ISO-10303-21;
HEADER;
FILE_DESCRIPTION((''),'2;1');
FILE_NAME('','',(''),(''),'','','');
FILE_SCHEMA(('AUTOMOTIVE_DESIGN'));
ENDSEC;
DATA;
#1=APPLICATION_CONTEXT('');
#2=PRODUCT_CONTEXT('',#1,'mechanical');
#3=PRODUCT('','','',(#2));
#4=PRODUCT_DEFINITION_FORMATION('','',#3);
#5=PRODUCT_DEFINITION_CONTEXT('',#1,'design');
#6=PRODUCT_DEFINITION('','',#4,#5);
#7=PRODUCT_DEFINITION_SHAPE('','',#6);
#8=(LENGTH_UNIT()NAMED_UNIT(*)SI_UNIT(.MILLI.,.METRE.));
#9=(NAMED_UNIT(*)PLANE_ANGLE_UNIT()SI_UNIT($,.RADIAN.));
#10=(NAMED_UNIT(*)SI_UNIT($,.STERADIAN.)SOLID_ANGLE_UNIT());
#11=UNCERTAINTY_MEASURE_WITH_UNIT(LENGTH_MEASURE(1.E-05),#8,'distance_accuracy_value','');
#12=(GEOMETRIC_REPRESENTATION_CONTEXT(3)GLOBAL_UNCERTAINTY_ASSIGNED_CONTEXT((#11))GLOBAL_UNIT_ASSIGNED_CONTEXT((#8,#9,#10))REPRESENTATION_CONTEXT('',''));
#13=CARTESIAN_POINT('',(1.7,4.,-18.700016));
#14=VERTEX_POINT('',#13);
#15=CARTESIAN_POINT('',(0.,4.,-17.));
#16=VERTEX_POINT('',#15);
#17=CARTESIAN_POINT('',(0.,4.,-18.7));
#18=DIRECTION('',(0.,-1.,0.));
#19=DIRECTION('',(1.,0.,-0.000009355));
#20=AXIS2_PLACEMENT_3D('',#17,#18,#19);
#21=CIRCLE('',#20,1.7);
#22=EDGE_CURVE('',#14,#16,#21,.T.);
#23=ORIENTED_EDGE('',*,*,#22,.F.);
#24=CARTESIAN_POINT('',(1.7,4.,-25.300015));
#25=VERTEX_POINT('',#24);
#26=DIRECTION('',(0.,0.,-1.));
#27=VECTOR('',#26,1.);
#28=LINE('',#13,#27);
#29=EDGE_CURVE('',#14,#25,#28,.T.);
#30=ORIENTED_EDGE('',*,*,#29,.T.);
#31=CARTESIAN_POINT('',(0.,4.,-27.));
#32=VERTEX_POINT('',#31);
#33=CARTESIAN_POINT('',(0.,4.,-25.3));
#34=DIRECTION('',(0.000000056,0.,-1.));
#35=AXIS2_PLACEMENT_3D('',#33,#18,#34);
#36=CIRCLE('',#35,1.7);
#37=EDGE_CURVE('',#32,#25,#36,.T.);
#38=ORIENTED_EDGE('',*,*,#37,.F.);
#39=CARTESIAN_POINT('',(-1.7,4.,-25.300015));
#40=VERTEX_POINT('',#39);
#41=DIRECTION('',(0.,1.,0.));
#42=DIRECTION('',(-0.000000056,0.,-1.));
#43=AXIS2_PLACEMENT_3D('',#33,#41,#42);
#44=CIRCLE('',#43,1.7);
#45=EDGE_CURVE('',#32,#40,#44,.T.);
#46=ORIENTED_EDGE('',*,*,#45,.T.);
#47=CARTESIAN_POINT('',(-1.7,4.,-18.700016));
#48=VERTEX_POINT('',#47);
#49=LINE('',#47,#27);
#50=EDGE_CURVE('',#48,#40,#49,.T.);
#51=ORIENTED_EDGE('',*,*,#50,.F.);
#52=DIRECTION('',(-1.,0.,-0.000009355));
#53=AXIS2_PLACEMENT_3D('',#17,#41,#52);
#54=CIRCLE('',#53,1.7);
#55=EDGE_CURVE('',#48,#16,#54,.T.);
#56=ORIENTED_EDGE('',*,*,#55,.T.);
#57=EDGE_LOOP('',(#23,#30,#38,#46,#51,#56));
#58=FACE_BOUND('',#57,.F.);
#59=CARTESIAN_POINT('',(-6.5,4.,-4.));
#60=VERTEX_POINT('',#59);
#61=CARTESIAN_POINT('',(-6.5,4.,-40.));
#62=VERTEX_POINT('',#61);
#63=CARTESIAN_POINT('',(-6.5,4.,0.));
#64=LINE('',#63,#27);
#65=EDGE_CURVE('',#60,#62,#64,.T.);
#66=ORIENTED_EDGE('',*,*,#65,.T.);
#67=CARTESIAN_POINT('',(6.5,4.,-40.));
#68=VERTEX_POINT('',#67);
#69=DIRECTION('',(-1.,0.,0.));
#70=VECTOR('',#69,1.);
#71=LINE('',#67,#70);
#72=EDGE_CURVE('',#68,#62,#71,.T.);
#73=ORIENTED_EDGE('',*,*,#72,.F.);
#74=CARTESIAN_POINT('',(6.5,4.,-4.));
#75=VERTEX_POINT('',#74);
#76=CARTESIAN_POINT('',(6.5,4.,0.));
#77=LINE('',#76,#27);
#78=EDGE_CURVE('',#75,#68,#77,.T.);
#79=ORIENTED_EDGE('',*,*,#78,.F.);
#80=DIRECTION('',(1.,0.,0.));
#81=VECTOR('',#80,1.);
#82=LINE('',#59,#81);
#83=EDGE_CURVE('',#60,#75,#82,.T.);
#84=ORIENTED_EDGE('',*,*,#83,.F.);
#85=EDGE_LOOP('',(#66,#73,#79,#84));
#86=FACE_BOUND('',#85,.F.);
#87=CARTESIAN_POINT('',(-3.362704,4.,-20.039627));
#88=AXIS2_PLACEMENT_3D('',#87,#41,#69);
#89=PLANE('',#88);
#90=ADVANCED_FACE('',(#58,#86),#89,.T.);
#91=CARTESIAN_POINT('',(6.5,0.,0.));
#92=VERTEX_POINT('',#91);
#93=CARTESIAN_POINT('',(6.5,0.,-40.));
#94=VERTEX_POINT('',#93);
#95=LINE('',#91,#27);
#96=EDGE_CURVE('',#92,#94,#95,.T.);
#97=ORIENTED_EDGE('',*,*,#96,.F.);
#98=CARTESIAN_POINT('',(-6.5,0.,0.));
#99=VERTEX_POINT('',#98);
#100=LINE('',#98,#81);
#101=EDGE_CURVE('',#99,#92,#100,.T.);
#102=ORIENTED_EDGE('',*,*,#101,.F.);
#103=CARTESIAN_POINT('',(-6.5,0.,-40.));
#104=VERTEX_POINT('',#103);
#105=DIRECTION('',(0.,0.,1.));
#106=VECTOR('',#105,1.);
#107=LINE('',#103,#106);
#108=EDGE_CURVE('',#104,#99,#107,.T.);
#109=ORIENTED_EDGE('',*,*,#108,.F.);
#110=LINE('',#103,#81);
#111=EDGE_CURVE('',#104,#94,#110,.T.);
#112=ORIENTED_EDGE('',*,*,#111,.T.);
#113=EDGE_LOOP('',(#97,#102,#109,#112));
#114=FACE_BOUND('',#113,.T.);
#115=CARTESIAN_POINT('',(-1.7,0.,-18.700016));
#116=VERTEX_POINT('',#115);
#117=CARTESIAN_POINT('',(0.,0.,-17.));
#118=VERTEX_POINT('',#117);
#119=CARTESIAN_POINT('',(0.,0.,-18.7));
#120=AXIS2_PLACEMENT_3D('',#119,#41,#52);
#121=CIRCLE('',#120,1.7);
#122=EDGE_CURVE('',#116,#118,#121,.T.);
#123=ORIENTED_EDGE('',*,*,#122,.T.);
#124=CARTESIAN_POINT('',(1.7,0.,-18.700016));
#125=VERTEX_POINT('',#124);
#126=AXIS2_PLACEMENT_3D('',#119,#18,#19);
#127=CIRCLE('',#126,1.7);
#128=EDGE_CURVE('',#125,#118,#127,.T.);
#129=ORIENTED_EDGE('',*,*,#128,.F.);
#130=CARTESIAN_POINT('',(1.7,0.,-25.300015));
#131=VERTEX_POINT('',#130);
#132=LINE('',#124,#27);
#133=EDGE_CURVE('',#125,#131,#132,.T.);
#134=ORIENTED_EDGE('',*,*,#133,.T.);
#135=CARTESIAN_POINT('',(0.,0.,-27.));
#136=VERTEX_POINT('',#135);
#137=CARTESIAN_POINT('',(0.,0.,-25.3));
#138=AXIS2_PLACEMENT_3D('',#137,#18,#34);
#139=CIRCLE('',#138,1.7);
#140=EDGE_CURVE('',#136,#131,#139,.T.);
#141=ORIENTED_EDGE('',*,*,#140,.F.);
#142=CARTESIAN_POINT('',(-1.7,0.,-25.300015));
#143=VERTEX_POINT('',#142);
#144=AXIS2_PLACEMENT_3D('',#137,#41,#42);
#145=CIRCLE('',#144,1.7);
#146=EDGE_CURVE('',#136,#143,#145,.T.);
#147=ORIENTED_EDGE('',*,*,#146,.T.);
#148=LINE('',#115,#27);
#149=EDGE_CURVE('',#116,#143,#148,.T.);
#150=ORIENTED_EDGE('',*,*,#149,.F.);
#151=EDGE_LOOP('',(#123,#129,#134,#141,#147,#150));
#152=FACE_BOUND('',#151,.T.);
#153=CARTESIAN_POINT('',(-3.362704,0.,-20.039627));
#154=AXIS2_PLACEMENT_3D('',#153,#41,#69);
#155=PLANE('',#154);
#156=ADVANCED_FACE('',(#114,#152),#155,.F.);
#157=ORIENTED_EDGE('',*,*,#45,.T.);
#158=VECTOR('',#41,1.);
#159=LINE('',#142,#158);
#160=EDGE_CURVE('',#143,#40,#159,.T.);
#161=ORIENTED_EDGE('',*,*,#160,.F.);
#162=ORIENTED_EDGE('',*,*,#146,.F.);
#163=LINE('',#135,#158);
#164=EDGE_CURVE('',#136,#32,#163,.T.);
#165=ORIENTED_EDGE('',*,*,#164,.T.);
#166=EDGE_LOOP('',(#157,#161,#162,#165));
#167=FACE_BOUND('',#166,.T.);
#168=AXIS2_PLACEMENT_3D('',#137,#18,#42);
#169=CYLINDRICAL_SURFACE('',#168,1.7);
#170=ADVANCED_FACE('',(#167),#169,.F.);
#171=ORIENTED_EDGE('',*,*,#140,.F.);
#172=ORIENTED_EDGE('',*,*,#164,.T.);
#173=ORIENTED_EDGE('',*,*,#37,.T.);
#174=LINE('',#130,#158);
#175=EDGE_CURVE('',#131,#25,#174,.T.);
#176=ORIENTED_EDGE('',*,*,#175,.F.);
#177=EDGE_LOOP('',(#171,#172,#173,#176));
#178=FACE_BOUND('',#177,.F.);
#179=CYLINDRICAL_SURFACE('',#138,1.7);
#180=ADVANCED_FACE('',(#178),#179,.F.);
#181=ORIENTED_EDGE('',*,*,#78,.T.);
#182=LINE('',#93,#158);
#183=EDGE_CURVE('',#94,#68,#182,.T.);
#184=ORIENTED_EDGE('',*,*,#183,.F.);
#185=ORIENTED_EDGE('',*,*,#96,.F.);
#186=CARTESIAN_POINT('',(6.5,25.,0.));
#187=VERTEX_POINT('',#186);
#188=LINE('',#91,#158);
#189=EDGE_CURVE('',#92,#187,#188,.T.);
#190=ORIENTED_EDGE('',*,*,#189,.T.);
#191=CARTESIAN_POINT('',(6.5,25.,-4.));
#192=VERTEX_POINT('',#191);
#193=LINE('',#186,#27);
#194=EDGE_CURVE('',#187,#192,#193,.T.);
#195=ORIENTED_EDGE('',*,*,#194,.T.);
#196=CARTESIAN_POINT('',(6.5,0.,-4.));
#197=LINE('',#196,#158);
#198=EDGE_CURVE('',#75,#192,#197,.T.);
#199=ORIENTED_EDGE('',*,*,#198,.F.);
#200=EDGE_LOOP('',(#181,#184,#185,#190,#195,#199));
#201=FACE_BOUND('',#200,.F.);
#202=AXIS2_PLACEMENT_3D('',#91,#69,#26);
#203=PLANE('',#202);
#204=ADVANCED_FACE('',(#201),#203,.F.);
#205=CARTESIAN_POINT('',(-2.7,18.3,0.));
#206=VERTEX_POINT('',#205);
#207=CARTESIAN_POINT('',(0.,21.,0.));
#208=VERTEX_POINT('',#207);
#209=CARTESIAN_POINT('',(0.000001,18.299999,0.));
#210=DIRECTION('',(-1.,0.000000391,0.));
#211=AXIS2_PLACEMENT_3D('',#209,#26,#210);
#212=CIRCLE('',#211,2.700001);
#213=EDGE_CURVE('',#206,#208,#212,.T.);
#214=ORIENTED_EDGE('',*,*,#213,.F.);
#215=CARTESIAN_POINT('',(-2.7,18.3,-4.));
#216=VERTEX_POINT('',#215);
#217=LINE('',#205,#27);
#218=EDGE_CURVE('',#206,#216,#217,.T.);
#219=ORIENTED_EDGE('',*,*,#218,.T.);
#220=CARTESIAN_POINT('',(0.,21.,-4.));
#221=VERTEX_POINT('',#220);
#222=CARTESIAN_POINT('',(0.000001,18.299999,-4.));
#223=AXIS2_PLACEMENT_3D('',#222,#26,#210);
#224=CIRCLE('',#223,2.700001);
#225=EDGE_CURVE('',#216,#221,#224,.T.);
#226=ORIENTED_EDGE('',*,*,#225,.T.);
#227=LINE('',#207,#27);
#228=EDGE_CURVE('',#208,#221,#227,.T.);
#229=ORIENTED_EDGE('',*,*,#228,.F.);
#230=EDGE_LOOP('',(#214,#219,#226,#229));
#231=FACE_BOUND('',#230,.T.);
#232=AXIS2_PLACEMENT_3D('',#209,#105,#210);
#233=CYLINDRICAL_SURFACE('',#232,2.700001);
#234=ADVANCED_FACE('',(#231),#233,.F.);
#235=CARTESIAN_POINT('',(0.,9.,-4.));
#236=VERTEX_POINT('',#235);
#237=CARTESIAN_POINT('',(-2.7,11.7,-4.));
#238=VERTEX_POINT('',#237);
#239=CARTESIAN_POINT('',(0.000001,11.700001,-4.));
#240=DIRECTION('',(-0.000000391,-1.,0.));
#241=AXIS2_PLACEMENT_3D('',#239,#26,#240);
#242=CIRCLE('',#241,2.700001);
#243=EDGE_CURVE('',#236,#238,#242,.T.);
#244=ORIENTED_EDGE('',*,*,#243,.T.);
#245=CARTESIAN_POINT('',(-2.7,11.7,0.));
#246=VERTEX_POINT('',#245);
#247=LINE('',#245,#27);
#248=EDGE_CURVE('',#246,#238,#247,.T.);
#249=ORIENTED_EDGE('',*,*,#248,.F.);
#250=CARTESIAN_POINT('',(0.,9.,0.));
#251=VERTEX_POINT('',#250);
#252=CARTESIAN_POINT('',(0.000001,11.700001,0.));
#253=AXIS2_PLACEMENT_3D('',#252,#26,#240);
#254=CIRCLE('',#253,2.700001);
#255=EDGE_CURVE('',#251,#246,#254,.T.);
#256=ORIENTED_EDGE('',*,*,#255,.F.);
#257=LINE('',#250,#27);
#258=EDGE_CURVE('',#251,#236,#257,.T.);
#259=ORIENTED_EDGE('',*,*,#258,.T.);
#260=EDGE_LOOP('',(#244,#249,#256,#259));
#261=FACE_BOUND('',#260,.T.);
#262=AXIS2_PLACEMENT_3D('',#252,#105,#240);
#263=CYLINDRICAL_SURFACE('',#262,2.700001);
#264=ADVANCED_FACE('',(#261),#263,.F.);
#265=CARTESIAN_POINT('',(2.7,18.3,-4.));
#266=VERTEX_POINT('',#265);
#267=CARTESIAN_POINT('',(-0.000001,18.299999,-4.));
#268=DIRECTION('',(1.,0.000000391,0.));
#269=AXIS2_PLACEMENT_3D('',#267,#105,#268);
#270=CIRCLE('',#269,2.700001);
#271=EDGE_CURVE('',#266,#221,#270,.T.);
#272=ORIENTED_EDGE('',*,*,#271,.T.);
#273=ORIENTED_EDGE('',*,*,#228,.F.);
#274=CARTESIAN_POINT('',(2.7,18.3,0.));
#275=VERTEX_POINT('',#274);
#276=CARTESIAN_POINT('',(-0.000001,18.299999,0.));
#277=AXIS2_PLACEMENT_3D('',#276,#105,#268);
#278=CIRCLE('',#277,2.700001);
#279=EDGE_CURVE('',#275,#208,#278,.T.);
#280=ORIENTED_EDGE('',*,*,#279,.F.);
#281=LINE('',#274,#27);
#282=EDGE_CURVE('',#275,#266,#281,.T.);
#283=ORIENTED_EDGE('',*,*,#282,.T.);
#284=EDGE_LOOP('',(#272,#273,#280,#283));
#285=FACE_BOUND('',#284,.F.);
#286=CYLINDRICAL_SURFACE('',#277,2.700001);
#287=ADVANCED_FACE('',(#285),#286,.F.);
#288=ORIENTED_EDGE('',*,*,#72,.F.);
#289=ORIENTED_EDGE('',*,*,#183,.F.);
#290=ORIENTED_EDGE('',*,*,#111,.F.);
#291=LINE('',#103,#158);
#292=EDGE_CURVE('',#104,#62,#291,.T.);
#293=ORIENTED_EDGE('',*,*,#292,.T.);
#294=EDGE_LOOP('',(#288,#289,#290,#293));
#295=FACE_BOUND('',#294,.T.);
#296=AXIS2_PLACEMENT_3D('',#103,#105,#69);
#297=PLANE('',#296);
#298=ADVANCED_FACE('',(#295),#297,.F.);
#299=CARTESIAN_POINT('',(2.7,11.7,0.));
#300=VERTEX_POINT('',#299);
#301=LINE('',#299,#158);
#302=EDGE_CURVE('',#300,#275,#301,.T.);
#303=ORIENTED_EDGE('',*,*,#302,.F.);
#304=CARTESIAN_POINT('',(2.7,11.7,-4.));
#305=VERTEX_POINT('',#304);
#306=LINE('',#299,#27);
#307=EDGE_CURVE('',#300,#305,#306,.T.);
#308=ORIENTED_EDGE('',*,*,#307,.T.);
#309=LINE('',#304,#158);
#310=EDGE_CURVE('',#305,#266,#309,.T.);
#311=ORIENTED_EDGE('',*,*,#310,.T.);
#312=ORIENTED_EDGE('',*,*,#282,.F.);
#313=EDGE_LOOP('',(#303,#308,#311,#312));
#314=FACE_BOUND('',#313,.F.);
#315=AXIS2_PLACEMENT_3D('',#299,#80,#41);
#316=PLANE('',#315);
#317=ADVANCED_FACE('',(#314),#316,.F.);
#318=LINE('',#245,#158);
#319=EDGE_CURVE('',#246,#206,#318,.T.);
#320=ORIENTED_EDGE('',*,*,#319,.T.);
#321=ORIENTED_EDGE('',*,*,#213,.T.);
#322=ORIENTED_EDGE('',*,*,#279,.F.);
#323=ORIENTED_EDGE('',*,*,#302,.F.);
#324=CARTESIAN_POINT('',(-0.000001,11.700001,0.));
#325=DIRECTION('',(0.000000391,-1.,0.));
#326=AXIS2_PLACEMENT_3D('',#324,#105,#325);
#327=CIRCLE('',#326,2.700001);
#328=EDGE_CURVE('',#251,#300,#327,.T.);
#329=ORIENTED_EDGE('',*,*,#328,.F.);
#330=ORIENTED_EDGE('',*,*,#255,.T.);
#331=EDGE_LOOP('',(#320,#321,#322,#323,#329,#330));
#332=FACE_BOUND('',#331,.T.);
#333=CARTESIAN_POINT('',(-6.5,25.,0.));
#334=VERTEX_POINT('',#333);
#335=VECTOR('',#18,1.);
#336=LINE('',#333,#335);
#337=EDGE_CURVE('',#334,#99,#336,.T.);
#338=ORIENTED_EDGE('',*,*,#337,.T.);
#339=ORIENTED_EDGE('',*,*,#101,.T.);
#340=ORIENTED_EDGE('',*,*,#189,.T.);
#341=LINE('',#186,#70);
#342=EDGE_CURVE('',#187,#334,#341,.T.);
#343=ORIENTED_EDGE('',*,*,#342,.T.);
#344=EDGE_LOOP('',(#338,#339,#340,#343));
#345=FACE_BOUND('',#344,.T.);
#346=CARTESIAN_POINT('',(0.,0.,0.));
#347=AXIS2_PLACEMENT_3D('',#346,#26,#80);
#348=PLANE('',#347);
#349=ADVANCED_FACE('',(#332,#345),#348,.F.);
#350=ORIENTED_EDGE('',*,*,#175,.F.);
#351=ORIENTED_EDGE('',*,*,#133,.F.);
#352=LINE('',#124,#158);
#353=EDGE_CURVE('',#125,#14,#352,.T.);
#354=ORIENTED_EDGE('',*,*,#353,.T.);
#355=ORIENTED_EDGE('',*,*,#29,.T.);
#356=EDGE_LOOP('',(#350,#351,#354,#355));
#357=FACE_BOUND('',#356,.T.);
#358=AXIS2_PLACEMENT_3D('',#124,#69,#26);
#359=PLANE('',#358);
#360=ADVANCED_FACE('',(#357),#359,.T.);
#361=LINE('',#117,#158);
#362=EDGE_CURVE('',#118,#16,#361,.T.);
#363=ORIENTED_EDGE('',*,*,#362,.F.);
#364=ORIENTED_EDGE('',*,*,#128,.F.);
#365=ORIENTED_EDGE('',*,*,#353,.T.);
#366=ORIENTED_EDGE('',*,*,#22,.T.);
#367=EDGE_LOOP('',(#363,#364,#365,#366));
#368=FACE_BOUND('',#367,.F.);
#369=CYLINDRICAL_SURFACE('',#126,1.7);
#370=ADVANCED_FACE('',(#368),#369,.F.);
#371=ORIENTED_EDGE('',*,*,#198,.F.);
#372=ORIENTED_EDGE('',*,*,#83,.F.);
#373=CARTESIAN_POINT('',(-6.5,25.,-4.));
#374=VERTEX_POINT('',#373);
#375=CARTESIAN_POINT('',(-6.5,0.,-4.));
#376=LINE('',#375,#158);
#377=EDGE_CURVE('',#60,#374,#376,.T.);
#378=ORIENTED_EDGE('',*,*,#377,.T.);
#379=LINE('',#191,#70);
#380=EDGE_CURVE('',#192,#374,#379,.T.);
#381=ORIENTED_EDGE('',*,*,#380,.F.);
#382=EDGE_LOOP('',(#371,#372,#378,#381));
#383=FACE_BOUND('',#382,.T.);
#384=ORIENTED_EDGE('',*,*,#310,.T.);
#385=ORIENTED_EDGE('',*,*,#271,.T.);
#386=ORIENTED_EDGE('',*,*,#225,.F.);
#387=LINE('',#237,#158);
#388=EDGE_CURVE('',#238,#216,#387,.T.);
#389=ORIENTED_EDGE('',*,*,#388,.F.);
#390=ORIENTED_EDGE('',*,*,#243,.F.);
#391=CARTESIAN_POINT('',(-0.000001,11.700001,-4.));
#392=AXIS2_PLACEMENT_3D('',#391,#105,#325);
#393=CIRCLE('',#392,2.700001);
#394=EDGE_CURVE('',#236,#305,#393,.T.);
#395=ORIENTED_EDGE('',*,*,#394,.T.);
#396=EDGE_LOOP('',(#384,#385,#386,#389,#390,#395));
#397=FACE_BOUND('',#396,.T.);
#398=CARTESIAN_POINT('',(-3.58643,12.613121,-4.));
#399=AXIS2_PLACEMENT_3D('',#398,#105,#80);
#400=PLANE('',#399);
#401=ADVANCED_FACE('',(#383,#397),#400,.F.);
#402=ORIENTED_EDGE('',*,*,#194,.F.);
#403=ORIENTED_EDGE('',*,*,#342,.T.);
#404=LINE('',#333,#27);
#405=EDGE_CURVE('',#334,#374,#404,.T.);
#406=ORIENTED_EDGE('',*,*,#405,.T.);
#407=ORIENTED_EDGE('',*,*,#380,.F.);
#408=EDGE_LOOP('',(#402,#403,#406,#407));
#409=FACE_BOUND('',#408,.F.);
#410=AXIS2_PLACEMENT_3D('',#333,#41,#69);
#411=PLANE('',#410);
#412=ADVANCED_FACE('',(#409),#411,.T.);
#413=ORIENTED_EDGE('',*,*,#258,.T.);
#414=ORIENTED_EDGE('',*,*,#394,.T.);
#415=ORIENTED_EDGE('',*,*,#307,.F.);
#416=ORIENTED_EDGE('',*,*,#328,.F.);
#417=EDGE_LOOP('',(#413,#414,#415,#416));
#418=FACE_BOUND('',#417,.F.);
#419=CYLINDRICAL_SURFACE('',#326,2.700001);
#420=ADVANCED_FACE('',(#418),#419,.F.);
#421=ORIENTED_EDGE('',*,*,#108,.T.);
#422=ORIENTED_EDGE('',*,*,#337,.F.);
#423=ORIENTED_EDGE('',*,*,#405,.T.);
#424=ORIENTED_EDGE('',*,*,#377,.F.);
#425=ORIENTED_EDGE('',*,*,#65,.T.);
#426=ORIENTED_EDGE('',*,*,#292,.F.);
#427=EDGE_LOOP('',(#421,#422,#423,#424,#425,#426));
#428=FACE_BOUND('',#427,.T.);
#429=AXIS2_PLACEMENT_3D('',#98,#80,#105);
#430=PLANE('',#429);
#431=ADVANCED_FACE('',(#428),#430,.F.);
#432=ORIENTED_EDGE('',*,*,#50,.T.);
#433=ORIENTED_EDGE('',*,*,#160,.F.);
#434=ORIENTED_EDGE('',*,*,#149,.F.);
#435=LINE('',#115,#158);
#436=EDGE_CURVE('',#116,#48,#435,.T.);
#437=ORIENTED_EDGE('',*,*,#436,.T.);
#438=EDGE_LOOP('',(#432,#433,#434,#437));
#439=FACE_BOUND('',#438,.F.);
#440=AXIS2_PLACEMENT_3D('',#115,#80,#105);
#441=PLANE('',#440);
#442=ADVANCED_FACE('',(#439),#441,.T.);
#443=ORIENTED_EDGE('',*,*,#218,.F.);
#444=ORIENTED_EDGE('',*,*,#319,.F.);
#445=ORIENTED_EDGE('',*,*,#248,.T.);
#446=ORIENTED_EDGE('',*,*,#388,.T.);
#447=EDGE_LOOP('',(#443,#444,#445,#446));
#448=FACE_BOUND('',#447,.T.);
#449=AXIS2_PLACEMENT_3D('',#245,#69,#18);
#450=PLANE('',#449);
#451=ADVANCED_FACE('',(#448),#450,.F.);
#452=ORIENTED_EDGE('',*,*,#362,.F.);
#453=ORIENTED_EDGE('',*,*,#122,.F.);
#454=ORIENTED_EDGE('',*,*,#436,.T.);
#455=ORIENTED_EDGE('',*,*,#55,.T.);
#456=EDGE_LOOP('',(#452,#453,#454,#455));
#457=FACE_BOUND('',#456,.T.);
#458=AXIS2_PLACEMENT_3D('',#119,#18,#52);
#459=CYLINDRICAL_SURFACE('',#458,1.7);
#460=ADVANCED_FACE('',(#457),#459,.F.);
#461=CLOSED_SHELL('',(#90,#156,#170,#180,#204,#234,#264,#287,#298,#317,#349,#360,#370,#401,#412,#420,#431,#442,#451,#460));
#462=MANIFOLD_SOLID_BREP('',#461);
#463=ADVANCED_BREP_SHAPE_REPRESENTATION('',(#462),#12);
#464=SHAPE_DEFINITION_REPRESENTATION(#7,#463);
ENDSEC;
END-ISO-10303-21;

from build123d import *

# Parameters (mm, degrees)
PAD_DEPTH    = 4
PAD001_DEPTH = 4


with BuildPart() as part:
    # Sketch → Pad (new body)
    with BuildSketch(Plane.XZ):
        with BuildLine():
            Line((0, 0), (6.5, 0))
            Line((6.5, 0), (6.5, -40))
            Line((6.5, -40), (0, -40))
            Line((0, -40), (0, -27))
            ThreePointArc((0, -27), (1.202076, -26.502087), (1.7, -25.300015))
            Line((1.7, -18.700016), (1.7, -25.300015))
            ThreePointArc((1.7, -18.700016), (1.202087, -17.497924), (0, -17))
            Line((0, -17), (0, 0))
        make_face()
    pad = extrude(amount=-PAD_DEPTH)

    # Sketch001 → Pad001 (join)
    with BuildSketch(Plane.XY):
        with BuildLine():
            Line((0, 0), (6.5, 0))
            Line((6.5, 0), (6.5, 25))
            Line((6.5, 25), (0, 25))
            Line((0, 25), (0, 21))
            ThreePointArc((2.7, 18.3), (1.909188, 20.209188), (0, 21))
            Line((2.7, 11.7), (2.7, 18.3))
            ThreePointArc((0, 9), (1.909188, 9.790812), (2.7, 11.7))
            Line((0, 9), (0, 0))
        make_face()
    pad001 = extrude(amount=-PAD001_DEPTH)

    # Mirrored: Pad, Pad001 across Sketch V_Axis
    add(pad.mirror(Plane(origin=(0, 0, 0), x_dir=(0, -1, 0), z_dir=(1, 0, 0))))
    add(pad001.mirror(Plane(origin=(0, 0, 0), x_dir=(0, -1, 0), z_dir=(1, 0, 0))))


solid = part.part
